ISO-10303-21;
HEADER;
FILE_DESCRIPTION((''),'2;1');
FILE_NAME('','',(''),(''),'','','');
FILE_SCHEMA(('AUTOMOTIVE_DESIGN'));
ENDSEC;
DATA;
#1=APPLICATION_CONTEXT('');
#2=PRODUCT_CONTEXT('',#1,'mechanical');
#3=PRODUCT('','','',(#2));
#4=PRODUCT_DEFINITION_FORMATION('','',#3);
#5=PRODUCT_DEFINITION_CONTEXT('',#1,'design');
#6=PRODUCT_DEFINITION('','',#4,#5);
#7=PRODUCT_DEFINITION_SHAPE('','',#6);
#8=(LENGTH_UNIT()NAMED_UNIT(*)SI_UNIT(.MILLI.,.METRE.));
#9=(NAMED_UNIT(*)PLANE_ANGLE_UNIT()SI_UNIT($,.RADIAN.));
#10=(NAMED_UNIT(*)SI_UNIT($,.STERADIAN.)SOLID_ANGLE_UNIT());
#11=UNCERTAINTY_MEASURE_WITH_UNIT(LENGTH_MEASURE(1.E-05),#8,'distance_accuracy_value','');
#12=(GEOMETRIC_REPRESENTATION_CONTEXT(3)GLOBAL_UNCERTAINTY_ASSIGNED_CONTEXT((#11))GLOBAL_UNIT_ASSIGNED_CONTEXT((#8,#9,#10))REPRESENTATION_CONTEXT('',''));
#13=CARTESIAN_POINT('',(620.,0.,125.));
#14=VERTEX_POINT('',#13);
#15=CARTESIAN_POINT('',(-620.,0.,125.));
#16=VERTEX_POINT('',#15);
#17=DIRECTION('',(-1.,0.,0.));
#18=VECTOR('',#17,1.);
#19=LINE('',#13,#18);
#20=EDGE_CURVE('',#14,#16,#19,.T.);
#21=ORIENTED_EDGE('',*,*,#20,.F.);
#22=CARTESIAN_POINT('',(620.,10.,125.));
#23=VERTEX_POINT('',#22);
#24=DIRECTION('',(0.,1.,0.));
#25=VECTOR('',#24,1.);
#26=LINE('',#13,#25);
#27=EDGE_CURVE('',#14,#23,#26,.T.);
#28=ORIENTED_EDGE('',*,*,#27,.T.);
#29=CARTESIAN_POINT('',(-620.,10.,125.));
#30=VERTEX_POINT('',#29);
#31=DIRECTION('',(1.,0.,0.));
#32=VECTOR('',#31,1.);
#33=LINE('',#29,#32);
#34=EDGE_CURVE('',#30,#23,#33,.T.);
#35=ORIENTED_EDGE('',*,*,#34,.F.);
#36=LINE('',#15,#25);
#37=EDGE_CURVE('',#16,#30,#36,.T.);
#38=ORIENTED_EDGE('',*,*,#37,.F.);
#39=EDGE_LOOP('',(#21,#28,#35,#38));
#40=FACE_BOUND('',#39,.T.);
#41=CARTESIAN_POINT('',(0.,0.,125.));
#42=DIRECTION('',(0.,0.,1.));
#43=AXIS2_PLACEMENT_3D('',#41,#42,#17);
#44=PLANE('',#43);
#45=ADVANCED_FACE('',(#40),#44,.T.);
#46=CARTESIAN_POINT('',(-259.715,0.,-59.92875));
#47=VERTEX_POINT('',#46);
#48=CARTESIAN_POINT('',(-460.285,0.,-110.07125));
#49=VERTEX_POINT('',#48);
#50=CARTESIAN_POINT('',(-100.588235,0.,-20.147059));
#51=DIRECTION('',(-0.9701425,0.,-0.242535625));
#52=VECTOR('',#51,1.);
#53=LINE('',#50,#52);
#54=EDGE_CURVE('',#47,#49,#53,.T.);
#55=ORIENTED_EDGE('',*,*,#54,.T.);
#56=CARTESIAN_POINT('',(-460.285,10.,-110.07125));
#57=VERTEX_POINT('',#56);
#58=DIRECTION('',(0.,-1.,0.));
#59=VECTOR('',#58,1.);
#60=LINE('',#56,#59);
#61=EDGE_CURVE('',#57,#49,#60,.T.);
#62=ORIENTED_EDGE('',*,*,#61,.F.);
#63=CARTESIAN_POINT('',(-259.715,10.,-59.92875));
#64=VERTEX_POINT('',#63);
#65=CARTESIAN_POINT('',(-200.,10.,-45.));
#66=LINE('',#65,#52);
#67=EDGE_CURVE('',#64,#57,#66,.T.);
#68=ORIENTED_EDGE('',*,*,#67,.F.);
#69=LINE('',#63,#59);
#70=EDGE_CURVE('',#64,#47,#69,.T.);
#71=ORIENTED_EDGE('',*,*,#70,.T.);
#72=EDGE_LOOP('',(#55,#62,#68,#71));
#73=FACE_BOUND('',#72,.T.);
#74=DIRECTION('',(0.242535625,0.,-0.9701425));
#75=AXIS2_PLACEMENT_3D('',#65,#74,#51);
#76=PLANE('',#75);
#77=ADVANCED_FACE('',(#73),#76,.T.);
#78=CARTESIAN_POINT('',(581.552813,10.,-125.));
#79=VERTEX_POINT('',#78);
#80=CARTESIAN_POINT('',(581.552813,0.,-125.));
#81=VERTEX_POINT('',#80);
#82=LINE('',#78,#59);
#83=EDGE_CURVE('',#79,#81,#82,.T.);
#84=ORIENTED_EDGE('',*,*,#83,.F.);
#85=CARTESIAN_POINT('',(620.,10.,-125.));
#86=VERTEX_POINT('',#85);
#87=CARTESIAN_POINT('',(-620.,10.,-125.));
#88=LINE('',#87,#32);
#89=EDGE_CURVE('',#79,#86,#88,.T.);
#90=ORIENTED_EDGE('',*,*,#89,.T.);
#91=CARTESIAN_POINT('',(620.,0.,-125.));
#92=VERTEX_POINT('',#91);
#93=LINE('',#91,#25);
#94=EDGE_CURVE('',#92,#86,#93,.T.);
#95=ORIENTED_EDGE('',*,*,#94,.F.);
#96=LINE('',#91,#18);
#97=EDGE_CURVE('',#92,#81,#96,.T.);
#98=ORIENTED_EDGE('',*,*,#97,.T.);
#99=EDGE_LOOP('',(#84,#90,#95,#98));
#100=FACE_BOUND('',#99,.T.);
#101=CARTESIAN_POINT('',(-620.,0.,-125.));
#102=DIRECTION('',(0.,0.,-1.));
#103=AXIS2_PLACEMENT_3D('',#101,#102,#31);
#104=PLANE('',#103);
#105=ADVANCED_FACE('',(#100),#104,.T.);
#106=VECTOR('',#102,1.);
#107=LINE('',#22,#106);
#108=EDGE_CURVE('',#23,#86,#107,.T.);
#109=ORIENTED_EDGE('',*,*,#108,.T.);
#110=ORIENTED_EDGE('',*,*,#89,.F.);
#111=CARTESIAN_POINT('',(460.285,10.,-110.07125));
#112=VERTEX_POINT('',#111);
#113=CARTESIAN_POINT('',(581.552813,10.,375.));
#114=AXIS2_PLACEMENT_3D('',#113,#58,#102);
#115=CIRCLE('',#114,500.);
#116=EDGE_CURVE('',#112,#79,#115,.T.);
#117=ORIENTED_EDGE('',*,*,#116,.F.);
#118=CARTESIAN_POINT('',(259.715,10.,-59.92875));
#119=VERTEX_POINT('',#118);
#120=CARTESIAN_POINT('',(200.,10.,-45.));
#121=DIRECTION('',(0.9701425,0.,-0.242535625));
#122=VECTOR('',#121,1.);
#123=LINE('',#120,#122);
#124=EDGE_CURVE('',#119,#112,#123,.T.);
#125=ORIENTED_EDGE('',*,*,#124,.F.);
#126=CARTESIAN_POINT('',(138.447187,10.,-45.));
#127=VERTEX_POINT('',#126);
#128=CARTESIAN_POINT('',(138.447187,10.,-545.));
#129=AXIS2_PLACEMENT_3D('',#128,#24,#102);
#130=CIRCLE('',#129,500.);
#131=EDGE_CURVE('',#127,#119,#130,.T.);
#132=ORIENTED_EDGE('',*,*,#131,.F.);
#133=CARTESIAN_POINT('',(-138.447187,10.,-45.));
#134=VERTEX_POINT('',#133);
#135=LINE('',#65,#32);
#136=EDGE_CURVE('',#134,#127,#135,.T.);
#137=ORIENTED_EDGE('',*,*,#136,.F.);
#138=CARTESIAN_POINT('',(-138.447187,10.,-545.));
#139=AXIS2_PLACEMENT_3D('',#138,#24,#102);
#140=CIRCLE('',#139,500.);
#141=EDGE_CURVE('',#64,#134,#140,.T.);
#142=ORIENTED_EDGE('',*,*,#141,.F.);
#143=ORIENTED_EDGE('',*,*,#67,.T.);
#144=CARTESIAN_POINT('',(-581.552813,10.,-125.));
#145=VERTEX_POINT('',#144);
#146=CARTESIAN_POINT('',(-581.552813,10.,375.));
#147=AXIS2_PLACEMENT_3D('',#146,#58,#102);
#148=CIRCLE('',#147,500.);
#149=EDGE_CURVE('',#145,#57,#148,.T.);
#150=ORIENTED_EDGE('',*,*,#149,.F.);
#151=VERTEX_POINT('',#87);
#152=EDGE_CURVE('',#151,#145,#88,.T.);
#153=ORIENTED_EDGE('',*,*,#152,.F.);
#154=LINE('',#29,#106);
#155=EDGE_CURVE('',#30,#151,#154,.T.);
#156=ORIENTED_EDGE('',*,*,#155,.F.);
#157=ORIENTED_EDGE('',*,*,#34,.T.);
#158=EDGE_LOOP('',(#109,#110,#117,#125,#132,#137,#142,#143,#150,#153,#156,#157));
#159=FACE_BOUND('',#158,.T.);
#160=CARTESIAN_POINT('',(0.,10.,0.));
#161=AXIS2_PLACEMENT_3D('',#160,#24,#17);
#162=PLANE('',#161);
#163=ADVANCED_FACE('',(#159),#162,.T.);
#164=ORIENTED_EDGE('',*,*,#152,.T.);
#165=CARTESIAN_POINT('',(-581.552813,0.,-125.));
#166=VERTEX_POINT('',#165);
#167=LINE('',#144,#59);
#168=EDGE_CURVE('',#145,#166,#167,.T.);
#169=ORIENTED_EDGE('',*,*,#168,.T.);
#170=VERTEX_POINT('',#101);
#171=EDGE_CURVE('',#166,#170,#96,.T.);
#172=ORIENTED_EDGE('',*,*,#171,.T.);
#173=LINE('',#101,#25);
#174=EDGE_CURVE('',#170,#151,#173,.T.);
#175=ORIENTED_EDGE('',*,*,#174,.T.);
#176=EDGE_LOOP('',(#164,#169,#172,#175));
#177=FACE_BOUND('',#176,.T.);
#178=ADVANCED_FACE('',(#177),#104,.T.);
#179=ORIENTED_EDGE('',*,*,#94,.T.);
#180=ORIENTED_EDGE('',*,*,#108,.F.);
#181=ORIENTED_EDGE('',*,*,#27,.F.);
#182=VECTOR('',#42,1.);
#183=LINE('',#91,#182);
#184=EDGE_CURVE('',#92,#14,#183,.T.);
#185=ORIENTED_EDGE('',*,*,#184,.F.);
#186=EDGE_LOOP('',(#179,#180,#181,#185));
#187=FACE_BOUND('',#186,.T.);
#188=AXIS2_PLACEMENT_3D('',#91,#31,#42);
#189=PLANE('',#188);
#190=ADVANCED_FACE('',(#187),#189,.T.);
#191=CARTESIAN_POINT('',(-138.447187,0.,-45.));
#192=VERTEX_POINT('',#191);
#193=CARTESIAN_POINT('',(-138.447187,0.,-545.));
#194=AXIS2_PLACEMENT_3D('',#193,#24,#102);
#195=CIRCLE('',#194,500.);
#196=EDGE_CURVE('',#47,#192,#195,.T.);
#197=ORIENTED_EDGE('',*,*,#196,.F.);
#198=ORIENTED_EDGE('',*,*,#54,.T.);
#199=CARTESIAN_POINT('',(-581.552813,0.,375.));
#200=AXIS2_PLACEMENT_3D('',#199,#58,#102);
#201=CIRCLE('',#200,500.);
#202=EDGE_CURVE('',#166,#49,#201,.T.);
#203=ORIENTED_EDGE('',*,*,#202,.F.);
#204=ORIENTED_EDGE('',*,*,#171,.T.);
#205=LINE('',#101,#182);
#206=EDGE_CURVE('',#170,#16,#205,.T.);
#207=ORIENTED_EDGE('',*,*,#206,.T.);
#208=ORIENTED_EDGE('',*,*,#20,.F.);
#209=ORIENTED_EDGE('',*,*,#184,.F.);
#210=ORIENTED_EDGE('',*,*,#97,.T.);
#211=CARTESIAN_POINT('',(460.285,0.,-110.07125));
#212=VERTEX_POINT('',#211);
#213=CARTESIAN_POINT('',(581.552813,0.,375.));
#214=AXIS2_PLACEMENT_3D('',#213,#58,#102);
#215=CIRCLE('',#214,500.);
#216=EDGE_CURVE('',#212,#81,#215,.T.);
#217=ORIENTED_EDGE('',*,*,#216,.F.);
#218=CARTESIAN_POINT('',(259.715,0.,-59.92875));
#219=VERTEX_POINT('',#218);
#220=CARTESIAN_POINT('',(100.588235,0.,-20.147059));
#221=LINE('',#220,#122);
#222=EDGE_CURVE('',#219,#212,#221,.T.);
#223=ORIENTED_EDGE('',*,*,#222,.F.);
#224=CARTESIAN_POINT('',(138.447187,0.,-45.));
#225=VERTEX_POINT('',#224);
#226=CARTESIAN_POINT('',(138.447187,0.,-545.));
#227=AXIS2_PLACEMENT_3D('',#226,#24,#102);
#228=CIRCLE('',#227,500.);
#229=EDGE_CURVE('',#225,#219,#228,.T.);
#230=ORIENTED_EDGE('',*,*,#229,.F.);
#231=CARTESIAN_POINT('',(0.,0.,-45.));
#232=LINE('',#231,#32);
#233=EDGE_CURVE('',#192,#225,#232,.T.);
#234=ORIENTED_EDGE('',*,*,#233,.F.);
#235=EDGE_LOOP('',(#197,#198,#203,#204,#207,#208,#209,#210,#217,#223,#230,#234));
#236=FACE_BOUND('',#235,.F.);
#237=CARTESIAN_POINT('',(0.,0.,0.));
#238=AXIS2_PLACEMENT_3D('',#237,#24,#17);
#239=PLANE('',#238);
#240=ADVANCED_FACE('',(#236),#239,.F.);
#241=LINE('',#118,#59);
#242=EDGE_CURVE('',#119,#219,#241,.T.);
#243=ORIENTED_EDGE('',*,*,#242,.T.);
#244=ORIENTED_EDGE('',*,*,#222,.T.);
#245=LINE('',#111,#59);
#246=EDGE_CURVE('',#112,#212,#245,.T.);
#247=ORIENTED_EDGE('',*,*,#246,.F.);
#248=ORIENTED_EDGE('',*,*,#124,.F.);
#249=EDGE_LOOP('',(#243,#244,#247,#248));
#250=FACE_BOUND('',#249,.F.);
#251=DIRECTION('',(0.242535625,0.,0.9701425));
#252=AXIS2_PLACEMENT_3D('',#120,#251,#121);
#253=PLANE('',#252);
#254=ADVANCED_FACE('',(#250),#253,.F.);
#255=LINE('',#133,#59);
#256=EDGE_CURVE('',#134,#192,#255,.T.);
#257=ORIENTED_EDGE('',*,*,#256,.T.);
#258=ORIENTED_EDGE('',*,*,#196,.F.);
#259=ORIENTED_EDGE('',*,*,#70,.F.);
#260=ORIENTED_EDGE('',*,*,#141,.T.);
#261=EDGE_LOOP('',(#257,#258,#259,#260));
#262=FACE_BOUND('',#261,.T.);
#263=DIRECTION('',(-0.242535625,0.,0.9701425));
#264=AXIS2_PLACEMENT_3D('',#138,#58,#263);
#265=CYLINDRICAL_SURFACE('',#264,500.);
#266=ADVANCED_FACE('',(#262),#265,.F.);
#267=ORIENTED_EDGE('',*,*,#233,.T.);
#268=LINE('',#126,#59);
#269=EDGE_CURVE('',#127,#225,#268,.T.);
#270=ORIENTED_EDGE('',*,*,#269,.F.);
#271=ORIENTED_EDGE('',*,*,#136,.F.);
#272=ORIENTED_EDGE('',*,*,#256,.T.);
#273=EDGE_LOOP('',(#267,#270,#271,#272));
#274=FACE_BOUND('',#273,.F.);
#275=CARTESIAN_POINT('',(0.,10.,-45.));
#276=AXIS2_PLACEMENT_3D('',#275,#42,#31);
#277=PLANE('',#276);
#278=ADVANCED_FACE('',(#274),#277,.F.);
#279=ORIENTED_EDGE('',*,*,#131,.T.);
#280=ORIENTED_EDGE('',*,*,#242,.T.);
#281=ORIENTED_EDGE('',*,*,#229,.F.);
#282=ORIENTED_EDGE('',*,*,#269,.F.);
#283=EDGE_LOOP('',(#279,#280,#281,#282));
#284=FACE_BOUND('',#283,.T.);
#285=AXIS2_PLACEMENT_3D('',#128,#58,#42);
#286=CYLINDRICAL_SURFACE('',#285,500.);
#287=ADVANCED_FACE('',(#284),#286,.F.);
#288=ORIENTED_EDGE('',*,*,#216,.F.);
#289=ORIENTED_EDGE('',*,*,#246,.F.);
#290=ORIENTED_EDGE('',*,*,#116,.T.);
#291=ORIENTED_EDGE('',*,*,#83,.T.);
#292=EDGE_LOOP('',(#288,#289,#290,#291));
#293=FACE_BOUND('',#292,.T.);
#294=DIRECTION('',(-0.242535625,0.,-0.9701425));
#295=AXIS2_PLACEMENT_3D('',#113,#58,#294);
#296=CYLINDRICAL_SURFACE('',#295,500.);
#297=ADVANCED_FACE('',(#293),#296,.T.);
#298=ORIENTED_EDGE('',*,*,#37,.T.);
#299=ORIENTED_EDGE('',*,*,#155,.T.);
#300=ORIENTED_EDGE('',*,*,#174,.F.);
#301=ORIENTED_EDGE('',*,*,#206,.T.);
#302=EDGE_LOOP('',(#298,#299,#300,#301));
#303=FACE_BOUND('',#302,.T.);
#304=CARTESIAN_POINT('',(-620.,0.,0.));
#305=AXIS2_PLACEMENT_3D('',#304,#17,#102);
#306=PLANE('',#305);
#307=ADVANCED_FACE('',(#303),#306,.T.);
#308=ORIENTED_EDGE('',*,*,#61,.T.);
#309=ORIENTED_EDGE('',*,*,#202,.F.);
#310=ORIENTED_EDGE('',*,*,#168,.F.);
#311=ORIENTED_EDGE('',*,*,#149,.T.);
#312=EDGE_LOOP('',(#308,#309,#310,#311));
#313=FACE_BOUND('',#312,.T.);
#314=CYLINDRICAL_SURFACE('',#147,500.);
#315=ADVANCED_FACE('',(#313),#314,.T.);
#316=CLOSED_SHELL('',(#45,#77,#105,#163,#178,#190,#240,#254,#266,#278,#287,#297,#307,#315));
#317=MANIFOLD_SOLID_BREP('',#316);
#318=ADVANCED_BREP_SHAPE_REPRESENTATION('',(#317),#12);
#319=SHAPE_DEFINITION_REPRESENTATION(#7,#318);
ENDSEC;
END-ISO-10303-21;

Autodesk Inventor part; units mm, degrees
ref_plane "YZ Plane" through (0, 0, 0) normal (1, 0, 0) x (0, 1, 0)
ref_plane "XZ Plane" through (0, 0, 0) normal (0, 1, 0) x (-1, 0, 0)
ref_plane "XY Plane" through (0, 0, 0) normal (0, 0, 1) x (1, 0, 0)
sketch "スケッチ1" plane through (0, 0, 0) normal (0, 1, 0) x (-1, 0, 0)
  line L0 (620, -125) -> (-620, -125)
  line L1 (-620, -125) -> (-620, 125)
  line L2 (-620, 125) -> (620, 125)
  line L3 (620, 125) -> (620, -125)
  line L4 (0, -175) -> (0, 175) projected
  line L5 (868, 0) -> (-868, 0) projected
  point P0 (0, 0)
  point P1 (0, -125)
  point P2 (620, 0)
  dimension "d0" = 1240
  dimension "d1" = 250
extrude "押し出し1" add sketch "スケッチ1" along normal blind 10
sketch "スケッチ2" plane through (0, 10, 0) normal (0, 1, 0) x (1, 0, 0)
  line L0 (0, 175) -> (0, -175) projected
  line L1 (0, 45) -> (200, 45)
  line L2 (200, 45) -> (520, 125)
  line L3 (620, 125) -> (-620, 125) projected
  line L4 (0, 45) -> (-200, 45)
  line L5 (-200, 45) -> (-520, 125)
  line L6 (620, -125) -> (620, 125) projected
  line L7 (-520, 125) -> (520, 125)
  line L8 (-620, -125) -> (620, -125) projected
  point P0 (0, 0)
  dimension "d5" = 200
  dimension "d6" = 100
  dimension "d10" = 170
extrude "押し出し2" cut sketch "スケッチ2" against normal through all contours L3 L2 L1 L0 | L0 L4 L5 L3
fillet "フィレット1" radius 500 4 edges at (-520, 5, -125) (-200, 5, -45) (200, 5, -45) (520, 5, -125)
properties part number "type7_base" material "CFRP"
